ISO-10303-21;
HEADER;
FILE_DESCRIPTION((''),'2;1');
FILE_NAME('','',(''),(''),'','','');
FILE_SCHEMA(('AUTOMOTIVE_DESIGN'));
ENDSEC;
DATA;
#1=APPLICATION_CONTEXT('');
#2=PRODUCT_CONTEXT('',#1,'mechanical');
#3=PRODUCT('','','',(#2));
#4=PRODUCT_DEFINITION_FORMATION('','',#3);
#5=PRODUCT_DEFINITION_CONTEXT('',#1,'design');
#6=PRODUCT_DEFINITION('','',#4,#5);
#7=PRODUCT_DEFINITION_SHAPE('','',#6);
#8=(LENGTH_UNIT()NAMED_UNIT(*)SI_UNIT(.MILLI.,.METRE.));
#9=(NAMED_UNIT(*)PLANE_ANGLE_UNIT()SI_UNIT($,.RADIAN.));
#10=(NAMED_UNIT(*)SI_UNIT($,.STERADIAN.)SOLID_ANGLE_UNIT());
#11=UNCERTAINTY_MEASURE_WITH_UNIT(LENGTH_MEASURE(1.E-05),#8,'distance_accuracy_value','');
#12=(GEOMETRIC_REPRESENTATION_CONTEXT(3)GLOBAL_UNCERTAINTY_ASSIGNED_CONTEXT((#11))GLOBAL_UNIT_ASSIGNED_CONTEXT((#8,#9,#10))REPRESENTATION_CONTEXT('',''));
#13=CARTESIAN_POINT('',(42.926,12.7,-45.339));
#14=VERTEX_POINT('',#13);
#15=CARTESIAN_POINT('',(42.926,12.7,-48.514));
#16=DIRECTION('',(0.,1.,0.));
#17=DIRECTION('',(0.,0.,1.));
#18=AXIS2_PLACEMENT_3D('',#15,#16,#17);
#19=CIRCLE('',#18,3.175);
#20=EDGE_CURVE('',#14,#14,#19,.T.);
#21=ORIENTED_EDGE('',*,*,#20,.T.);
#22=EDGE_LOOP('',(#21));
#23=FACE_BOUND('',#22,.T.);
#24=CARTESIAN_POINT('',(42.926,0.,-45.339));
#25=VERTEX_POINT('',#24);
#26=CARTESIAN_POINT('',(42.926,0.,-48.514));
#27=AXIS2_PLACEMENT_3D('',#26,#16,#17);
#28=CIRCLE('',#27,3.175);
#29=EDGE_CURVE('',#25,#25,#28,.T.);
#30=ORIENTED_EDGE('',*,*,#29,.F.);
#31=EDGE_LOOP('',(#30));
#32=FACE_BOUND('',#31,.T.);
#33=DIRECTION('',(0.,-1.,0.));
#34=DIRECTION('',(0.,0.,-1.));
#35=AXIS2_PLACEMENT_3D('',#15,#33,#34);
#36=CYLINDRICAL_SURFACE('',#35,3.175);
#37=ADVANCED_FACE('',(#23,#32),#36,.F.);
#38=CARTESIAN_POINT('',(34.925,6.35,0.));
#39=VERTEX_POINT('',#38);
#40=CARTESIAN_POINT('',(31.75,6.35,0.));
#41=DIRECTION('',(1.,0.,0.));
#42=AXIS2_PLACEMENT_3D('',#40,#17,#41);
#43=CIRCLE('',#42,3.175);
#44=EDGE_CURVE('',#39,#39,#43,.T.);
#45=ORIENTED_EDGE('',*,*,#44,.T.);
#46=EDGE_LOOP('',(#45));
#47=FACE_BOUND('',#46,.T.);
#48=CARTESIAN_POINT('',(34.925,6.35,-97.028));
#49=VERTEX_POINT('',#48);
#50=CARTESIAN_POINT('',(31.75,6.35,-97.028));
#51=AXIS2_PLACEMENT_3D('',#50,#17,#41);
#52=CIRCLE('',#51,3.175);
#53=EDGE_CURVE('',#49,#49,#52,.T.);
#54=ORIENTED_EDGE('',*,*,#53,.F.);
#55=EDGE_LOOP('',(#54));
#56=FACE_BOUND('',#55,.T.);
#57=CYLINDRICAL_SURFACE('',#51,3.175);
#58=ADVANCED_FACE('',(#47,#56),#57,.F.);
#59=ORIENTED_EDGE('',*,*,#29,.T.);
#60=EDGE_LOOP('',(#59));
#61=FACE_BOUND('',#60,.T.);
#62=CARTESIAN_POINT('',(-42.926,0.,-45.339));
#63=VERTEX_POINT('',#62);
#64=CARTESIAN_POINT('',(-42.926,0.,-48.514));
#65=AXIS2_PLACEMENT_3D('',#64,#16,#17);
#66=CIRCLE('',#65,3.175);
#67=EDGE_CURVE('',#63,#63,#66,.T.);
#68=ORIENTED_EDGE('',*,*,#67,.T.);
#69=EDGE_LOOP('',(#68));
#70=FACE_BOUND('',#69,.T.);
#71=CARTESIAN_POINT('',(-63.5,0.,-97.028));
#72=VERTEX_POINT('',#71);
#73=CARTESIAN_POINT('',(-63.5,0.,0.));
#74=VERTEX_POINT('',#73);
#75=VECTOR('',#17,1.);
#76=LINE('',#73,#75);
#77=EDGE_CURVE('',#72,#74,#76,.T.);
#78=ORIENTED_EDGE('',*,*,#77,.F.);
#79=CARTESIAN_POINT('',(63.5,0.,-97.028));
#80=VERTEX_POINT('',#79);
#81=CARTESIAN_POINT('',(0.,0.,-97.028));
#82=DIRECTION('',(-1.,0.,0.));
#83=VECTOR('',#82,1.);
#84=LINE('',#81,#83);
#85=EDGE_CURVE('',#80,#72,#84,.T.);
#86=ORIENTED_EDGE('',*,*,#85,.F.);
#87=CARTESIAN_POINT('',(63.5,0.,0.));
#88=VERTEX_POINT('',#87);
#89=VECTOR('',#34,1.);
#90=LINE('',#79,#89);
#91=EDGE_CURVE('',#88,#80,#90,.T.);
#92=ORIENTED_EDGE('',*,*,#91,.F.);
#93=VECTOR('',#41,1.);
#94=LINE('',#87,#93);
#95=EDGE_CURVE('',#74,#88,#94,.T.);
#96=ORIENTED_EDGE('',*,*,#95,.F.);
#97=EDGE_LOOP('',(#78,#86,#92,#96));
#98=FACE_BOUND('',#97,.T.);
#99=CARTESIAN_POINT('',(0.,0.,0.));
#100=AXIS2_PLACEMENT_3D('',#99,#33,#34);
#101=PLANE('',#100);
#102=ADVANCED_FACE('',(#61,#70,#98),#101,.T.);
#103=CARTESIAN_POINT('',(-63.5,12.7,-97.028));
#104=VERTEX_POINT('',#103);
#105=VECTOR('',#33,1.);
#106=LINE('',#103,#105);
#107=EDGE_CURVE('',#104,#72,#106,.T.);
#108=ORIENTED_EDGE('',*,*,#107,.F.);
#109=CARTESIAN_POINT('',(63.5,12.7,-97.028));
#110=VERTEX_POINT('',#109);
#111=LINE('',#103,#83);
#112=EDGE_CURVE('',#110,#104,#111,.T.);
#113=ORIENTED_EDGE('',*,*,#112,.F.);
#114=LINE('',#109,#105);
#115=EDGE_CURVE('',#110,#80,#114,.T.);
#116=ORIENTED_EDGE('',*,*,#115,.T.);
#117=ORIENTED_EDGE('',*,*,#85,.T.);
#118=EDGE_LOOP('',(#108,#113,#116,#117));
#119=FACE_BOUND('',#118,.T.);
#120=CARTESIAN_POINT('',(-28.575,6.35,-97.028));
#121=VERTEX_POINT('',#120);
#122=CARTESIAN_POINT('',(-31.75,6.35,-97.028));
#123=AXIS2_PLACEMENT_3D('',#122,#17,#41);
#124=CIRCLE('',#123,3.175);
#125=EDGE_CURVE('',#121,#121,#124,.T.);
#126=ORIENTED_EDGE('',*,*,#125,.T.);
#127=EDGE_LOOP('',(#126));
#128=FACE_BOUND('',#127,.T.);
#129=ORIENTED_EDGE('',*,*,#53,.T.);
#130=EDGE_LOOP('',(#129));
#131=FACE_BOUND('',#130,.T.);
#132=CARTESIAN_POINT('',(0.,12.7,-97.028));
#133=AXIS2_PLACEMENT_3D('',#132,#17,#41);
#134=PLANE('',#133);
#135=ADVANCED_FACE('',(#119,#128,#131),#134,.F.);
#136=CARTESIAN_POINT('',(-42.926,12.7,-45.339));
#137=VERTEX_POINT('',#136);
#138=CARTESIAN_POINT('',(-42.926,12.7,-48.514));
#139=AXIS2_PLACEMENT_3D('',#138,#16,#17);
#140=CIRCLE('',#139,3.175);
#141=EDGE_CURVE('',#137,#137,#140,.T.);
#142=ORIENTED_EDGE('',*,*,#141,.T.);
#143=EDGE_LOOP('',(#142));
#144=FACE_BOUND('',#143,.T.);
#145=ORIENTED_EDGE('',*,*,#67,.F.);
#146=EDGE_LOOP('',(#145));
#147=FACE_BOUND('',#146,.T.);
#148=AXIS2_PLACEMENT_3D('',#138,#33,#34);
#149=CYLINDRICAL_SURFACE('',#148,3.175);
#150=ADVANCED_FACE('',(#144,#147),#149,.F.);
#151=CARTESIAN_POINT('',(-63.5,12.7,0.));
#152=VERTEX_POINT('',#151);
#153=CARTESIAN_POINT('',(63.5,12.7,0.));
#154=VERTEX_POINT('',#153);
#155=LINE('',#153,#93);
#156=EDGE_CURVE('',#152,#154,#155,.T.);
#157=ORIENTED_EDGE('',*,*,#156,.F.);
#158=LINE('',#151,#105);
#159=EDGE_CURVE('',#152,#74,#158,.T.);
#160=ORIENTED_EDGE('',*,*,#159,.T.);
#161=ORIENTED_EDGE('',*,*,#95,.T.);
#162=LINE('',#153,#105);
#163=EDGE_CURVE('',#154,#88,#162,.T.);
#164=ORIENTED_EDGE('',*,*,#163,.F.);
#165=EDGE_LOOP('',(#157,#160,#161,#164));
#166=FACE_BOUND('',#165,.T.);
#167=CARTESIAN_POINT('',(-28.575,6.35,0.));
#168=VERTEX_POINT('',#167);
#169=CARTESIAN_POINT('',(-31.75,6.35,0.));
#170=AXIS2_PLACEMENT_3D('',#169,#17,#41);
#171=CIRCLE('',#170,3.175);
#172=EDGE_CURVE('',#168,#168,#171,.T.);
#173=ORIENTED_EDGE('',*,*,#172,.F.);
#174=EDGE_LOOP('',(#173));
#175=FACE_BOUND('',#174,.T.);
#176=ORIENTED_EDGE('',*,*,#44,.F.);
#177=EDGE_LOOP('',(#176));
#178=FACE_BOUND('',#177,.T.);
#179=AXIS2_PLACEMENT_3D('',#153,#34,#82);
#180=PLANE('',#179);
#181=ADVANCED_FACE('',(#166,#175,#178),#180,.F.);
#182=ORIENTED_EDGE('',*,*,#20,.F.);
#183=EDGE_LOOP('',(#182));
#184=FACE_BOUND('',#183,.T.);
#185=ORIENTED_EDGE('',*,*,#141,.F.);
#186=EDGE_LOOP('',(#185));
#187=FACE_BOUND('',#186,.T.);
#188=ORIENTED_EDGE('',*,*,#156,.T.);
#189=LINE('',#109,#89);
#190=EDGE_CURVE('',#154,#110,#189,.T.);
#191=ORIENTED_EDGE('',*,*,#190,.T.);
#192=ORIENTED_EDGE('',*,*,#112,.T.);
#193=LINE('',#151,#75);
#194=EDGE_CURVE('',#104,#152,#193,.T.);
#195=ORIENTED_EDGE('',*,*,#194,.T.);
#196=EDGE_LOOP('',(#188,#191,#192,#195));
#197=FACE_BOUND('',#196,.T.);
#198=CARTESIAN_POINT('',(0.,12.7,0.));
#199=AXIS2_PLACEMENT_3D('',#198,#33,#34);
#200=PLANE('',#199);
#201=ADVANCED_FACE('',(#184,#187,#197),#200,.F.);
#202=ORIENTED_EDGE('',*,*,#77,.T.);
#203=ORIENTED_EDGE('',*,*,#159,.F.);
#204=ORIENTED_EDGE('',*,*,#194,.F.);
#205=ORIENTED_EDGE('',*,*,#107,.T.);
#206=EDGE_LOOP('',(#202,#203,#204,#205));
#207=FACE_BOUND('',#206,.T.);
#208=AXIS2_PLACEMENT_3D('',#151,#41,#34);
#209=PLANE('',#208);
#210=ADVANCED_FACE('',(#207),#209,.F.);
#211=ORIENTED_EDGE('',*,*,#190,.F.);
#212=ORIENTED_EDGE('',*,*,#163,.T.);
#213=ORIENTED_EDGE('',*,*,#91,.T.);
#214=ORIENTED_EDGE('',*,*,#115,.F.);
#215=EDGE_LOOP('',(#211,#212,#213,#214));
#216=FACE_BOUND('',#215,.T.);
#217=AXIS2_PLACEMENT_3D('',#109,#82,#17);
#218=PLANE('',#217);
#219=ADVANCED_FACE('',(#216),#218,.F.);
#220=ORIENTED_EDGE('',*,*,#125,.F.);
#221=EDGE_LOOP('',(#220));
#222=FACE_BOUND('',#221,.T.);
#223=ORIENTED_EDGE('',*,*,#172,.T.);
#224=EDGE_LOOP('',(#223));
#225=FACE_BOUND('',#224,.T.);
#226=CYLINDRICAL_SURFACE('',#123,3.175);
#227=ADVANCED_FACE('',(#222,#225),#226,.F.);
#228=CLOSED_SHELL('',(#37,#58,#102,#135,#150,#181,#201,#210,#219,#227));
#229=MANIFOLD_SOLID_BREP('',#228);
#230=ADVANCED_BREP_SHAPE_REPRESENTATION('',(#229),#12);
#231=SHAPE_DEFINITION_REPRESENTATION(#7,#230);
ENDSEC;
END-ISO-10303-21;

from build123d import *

# Parameters (mm, degrees)
SKETCH1_R           = 3.175
BOSS_EXTRUDE1_DEPTH = 12.7
SKETCH3_R           = 3.175
CUT_EXTRUDE1_DEPTH  = 117.653215918


with BuildPart() as part:
    # Sketch1 → Boss-Extrude1 (new body)
    with BuildSketch(Plane(origin=(0, 0, 0), x_dir=(1, 0, 0), z_dir=(0, 1, 0))):
        Polygon((0, 97.028), (63.5, 97.028), (63.5, 0), (-63.5, 0), (-63.5, 97.028), align=None)
        with Locations(Location((-42.926, 48.514, 0), (0, 0, 270))):
            Circle(SKETCH1_R, mode=Mode.SUBTRACT)
        with Locations(Location((42.926, 48.514, 0), (0, 0, 270))):
            Circle(SKETCH1_R, mode=Mode.SUBTRACT)
    extrude(amount=BOSS_EXTRUDE1_DEPTH)

    # Sketch3 → Cut-Extrude1 (cut, through all)
    with BuildSketch(Plane.XY):
        with Locations((-31.75, 6.35)):
            Circle(SKETCH3_R)
        with Locations((31.75, 6.35)):
            Circle(SKETCH3_R)
    extrude(amount=-CUT_EXTRUDE1_DEPTH, mode=Mode.SUBTRACT)


solid = part.part
